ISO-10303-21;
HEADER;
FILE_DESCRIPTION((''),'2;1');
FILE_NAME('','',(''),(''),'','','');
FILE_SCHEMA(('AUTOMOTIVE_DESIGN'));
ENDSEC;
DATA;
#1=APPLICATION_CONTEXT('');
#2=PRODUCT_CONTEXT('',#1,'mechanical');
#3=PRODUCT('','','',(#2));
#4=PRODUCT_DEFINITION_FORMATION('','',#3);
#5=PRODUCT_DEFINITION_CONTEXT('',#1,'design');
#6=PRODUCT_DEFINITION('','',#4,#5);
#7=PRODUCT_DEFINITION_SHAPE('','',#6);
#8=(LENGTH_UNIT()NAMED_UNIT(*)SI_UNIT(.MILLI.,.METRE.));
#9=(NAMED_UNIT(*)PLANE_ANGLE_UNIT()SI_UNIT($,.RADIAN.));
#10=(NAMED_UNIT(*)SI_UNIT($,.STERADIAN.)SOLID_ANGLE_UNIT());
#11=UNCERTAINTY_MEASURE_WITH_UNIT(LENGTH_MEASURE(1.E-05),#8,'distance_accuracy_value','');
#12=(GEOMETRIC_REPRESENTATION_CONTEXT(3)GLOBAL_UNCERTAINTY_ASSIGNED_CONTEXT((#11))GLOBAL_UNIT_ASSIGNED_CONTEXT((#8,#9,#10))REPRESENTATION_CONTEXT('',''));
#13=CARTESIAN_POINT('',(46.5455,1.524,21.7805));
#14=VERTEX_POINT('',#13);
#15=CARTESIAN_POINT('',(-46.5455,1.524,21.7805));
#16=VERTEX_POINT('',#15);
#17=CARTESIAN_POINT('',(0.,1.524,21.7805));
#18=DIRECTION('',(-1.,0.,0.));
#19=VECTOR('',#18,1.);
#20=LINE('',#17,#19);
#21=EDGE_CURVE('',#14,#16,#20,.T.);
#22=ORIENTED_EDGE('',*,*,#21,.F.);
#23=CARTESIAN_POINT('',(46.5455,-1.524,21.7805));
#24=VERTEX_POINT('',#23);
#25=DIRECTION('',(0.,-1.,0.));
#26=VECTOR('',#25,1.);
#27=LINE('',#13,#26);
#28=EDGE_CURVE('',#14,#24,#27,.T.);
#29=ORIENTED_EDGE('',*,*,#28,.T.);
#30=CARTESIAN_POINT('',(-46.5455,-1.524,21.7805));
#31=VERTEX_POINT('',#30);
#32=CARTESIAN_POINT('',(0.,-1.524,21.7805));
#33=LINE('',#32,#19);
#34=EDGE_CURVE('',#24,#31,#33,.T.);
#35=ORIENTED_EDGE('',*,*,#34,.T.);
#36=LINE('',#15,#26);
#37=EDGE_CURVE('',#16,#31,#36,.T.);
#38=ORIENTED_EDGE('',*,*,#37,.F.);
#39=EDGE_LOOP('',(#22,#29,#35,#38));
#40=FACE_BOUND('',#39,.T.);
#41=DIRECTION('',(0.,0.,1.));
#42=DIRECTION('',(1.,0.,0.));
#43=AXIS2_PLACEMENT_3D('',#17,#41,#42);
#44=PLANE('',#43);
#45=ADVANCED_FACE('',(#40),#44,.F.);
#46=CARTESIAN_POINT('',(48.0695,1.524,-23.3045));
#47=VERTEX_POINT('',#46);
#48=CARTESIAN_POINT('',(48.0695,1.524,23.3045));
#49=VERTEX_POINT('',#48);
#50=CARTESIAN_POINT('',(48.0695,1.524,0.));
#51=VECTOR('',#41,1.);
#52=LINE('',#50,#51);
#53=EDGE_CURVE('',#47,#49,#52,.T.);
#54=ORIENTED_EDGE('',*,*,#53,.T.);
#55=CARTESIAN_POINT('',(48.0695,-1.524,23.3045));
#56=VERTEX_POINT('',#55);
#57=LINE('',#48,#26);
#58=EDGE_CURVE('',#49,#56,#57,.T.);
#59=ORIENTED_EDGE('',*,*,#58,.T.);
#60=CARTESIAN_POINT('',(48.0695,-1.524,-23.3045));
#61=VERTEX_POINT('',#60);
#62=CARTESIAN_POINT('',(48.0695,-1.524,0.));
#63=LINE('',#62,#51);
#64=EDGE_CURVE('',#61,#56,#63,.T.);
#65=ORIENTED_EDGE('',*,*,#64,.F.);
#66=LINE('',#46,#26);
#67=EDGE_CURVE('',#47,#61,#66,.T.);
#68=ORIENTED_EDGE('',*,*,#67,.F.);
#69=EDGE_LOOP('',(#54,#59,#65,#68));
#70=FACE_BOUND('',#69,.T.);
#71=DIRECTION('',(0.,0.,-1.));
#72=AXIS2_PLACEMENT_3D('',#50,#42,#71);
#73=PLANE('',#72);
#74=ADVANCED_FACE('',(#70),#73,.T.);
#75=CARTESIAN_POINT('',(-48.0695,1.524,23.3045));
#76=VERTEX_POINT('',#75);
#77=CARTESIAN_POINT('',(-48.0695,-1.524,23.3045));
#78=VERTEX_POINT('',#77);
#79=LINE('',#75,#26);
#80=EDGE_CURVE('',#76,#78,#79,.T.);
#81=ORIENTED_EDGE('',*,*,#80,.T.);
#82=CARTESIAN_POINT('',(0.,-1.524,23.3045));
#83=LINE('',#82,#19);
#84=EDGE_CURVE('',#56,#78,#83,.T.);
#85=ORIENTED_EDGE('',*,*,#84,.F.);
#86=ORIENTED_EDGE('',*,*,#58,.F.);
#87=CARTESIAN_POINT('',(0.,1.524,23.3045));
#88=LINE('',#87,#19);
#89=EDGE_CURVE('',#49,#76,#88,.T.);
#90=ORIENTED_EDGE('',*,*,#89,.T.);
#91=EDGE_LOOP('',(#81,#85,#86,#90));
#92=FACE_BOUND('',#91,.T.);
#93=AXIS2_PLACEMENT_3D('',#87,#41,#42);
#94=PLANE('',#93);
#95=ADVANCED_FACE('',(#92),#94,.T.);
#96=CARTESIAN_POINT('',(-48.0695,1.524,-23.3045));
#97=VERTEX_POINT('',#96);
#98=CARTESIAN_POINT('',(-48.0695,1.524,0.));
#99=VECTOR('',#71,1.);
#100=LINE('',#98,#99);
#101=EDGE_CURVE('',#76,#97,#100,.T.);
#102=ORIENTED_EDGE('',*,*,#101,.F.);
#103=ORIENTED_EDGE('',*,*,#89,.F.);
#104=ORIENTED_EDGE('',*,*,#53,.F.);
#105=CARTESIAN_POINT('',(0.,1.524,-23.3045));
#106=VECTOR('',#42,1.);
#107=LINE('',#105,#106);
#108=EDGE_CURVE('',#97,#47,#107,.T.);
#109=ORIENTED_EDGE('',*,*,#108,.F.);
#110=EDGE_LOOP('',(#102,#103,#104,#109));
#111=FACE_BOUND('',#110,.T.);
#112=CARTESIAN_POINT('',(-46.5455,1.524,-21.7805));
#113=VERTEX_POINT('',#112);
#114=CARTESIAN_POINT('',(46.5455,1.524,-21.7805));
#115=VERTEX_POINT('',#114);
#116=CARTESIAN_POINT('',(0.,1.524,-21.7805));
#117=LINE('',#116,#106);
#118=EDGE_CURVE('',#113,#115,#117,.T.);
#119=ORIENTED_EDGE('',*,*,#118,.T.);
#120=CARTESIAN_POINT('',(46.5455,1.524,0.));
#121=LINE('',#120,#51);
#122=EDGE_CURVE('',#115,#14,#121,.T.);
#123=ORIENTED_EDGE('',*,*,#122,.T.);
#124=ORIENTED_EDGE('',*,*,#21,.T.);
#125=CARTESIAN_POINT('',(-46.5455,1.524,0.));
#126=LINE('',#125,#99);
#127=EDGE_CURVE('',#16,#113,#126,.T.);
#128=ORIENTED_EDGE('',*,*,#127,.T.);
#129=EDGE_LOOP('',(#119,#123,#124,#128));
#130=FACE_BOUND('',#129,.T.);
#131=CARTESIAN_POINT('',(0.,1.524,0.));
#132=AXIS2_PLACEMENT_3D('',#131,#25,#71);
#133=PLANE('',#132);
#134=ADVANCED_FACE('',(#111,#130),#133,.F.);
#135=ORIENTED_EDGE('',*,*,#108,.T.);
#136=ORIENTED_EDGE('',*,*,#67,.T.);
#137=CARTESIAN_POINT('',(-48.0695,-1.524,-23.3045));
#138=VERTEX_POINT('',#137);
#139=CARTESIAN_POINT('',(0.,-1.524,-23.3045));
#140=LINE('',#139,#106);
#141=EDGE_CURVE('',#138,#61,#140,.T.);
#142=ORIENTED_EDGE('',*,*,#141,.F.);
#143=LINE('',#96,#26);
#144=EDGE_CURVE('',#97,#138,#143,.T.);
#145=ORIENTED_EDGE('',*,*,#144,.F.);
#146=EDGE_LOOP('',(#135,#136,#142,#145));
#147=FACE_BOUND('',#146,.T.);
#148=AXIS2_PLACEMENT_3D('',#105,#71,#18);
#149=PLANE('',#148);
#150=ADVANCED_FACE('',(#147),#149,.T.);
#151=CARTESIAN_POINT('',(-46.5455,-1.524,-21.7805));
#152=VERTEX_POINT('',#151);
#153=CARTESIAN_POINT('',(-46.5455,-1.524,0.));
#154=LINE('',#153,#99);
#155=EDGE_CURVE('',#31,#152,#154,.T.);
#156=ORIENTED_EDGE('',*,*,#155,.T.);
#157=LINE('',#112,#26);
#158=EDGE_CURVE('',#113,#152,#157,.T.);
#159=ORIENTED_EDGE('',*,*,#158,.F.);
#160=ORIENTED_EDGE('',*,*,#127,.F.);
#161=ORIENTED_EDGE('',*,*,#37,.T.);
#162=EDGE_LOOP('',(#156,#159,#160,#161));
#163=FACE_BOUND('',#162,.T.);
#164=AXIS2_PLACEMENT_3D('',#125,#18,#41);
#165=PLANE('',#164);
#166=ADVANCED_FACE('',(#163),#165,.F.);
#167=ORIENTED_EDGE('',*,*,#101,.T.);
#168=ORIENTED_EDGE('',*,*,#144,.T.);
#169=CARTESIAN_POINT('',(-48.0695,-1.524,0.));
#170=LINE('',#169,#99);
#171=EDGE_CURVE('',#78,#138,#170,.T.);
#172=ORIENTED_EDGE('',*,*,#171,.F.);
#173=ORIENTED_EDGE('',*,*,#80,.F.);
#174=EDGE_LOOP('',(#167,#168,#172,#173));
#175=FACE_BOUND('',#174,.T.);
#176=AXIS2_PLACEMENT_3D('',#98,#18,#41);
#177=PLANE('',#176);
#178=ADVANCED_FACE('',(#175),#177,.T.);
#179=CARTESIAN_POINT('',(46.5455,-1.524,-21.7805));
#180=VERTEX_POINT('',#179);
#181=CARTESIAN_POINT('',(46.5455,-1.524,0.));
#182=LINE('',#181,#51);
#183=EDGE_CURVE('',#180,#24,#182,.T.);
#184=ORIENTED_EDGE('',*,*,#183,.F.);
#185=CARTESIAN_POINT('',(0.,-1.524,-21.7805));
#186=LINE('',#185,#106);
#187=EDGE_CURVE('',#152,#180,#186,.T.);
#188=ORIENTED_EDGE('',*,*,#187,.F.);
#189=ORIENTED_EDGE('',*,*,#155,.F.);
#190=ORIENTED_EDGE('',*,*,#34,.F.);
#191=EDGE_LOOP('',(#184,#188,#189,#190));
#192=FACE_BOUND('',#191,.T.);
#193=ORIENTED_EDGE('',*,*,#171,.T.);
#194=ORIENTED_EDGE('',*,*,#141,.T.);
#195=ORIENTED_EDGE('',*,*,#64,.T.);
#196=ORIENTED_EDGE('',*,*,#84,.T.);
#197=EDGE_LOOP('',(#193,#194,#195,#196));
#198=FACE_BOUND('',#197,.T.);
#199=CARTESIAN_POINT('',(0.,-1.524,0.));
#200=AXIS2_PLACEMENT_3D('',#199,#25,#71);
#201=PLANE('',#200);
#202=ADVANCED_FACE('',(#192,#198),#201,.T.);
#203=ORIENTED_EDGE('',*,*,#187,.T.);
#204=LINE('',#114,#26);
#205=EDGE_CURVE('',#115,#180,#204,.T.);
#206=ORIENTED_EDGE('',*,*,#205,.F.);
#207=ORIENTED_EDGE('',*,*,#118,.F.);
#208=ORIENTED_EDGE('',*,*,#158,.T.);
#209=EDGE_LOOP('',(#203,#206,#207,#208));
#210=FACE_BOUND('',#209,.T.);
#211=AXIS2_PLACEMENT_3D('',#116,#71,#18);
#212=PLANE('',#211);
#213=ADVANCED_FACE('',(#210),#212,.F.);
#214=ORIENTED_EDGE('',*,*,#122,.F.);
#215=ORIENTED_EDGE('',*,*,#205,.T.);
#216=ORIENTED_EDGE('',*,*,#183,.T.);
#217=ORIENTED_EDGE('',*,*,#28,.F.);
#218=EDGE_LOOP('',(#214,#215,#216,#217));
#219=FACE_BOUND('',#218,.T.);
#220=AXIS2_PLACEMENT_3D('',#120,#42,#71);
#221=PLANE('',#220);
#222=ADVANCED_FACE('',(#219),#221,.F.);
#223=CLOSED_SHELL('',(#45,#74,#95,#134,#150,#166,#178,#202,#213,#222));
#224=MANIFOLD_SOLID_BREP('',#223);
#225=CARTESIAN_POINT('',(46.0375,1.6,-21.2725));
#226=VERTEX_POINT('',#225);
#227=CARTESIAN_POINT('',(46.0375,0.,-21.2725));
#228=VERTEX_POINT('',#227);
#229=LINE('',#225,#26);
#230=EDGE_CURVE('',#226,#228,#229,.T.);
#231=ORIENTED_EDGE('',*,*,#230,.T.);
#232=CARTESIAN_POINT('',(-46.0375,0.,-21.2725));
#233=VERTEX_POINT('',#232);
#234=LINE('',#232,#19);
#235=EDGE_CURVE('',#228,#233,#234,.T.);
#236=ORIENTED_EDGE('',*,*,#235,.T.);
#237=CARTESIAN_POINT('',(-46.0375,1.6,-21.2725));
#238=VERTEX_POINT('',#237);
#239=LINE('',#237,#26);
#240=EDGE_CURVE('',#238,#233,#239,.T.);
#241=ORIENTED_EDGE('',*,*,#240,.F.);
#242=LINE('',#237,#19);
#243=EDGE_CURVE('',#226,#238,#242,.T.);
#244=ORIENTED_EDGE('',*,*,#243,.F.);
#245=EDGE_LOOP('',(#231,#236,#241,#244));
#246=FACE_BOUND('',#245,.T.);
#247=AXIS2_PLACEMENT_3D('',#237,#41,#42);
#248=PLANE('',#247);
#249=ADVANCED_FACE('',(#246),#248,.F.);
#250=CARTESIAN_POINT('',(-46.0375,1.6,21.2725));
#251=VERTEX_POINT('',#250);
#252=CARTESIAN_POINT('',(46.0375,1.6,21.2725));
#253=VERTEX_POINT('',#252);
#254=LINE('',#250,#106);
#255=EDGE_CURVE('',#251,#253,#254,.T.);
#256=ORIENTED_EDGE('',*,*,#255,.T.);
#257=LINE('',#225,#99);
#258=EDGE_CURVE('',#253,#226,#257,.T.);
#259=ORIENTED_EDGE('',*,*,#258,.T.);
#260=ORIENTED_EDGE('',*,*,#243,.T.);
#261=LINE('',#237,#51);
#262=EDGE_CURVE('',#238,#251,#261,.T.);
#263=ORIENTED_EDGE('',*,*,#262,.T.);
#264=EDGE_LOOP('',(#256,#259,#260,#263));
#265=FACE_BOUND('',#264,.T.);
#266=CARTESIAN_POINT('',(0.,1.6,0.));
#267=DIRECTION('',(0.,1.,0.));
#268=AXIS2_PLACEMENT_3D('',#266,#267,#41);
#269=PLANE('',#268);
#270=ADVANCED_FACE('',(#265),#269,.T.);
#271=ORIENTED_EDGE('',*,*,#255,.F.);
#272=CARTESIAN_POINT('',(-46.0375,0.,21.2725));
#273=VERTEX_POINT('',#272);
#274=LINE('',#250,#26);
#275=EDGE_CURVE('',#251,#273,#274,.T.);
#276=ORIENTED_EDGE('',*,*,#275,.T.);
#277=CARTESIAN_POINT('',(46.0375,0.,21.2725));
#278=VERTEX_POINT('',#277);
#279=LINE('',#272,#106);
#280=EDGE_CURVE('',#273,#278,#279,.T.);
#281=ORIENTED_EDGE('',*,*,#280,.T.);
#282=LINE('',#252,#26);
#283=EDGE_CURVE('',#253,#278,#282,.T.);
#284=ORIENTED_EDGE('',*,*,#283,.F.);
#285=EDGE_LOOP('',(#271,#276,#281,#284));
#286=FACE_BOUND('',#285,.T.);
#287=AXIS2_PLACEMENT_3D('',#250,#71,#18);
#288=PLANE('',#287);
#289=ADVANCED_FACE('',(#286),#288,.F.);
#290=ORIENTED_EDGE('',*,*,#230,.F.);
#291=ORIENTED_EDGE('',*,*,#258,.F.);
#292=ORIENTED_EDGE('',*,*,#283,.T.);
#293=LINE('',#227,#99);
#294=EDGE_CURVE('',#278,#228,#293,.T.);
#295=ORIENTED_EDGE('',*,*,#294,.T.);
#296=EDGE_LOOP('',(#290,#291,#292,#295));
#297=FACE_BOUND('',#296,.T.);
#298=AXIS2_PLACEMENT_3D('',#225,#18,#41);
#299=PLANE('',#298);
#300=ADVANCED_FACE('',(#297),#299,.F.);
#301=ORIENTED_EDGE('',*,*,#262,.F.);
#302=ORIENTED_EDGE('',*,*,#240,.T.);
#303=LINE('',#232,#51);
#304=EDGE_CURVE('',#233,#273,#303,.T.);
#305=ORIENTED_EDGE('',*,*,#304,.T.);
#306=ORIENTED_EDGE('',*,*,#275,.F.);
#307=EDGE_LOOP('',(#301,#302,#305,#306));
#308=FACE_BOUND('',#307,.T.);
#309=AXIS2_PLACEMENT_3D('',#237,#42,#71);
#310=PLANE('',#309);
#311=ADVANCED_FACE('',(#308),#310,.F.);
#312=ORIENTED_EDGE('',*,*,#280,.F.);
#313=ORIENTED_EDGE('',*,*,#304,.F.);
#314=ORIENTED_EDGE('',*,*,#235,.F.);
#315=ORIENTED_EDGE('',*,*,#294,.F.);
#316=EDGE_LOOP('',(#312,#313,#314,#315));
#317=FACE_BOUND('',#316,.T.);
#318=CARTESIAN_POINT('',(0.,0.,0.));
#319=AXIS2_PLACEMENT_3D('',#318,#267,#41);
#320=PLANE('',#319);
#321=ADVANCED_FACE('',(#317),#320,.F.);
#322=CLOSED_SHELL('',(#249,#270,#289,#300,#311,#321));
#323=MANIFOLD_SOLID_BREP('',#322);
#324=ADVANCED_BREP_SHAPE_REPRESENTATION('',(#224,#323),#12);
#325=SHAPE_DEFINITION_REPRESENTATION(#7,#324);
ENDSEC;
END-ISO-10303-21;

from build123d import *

# Parameters (mm, degrees)
SKETCH1_W                = 92.075
SKETCH1_H                = 42.545
BOSS_EXTRUDE2_DEPTH      = 1.6
BOSS_EXTRUDE4_DEPTH      = 1.524
BOSS_EXTRUDE4_DEPTH_BACK = 1.524
SKETCH2_W                = 96.139
SKETCH2_H                = 46.609
SKETCH2_W_2              = 93.091
SKETCH2_H_2              = 43.561


with BuildPart() as part:
    # Sketch1 → Boss-Extrude2 (new body)
    with BuildSketch(Plane(origin=(0, 0, 0), x_dir=(1, 0, 0), z_dir=(0, 1, 0))):
        Rectangle(SKETCH1_W, SKETCH1_H)
    extrude(amount=BOSS_EXTRUDE2_DEPTH)


with BuildPart() as body_2:
    # Sketch2 → Boss-Extrude4 (new, two sides: drawn at the far end of the back side and taken through both)
    with BuildSketch(Plane.XZ.offset(-BOSS_EXTRUDE4_DEPTH_BACK)):
        Rectangle(SKETCH2_W, SKETCH2_H)
        Rectangle(SKETCH2_W_2, SKETCH2_H_2, mode=Mode.SUBTRACT)
    extrude(amount=BOSS_EXTRUDE4_DEPTH + BOSS_EXTRUDE4_DEPTH_BACK)


solid = Compound([part.part, body_2.part])
